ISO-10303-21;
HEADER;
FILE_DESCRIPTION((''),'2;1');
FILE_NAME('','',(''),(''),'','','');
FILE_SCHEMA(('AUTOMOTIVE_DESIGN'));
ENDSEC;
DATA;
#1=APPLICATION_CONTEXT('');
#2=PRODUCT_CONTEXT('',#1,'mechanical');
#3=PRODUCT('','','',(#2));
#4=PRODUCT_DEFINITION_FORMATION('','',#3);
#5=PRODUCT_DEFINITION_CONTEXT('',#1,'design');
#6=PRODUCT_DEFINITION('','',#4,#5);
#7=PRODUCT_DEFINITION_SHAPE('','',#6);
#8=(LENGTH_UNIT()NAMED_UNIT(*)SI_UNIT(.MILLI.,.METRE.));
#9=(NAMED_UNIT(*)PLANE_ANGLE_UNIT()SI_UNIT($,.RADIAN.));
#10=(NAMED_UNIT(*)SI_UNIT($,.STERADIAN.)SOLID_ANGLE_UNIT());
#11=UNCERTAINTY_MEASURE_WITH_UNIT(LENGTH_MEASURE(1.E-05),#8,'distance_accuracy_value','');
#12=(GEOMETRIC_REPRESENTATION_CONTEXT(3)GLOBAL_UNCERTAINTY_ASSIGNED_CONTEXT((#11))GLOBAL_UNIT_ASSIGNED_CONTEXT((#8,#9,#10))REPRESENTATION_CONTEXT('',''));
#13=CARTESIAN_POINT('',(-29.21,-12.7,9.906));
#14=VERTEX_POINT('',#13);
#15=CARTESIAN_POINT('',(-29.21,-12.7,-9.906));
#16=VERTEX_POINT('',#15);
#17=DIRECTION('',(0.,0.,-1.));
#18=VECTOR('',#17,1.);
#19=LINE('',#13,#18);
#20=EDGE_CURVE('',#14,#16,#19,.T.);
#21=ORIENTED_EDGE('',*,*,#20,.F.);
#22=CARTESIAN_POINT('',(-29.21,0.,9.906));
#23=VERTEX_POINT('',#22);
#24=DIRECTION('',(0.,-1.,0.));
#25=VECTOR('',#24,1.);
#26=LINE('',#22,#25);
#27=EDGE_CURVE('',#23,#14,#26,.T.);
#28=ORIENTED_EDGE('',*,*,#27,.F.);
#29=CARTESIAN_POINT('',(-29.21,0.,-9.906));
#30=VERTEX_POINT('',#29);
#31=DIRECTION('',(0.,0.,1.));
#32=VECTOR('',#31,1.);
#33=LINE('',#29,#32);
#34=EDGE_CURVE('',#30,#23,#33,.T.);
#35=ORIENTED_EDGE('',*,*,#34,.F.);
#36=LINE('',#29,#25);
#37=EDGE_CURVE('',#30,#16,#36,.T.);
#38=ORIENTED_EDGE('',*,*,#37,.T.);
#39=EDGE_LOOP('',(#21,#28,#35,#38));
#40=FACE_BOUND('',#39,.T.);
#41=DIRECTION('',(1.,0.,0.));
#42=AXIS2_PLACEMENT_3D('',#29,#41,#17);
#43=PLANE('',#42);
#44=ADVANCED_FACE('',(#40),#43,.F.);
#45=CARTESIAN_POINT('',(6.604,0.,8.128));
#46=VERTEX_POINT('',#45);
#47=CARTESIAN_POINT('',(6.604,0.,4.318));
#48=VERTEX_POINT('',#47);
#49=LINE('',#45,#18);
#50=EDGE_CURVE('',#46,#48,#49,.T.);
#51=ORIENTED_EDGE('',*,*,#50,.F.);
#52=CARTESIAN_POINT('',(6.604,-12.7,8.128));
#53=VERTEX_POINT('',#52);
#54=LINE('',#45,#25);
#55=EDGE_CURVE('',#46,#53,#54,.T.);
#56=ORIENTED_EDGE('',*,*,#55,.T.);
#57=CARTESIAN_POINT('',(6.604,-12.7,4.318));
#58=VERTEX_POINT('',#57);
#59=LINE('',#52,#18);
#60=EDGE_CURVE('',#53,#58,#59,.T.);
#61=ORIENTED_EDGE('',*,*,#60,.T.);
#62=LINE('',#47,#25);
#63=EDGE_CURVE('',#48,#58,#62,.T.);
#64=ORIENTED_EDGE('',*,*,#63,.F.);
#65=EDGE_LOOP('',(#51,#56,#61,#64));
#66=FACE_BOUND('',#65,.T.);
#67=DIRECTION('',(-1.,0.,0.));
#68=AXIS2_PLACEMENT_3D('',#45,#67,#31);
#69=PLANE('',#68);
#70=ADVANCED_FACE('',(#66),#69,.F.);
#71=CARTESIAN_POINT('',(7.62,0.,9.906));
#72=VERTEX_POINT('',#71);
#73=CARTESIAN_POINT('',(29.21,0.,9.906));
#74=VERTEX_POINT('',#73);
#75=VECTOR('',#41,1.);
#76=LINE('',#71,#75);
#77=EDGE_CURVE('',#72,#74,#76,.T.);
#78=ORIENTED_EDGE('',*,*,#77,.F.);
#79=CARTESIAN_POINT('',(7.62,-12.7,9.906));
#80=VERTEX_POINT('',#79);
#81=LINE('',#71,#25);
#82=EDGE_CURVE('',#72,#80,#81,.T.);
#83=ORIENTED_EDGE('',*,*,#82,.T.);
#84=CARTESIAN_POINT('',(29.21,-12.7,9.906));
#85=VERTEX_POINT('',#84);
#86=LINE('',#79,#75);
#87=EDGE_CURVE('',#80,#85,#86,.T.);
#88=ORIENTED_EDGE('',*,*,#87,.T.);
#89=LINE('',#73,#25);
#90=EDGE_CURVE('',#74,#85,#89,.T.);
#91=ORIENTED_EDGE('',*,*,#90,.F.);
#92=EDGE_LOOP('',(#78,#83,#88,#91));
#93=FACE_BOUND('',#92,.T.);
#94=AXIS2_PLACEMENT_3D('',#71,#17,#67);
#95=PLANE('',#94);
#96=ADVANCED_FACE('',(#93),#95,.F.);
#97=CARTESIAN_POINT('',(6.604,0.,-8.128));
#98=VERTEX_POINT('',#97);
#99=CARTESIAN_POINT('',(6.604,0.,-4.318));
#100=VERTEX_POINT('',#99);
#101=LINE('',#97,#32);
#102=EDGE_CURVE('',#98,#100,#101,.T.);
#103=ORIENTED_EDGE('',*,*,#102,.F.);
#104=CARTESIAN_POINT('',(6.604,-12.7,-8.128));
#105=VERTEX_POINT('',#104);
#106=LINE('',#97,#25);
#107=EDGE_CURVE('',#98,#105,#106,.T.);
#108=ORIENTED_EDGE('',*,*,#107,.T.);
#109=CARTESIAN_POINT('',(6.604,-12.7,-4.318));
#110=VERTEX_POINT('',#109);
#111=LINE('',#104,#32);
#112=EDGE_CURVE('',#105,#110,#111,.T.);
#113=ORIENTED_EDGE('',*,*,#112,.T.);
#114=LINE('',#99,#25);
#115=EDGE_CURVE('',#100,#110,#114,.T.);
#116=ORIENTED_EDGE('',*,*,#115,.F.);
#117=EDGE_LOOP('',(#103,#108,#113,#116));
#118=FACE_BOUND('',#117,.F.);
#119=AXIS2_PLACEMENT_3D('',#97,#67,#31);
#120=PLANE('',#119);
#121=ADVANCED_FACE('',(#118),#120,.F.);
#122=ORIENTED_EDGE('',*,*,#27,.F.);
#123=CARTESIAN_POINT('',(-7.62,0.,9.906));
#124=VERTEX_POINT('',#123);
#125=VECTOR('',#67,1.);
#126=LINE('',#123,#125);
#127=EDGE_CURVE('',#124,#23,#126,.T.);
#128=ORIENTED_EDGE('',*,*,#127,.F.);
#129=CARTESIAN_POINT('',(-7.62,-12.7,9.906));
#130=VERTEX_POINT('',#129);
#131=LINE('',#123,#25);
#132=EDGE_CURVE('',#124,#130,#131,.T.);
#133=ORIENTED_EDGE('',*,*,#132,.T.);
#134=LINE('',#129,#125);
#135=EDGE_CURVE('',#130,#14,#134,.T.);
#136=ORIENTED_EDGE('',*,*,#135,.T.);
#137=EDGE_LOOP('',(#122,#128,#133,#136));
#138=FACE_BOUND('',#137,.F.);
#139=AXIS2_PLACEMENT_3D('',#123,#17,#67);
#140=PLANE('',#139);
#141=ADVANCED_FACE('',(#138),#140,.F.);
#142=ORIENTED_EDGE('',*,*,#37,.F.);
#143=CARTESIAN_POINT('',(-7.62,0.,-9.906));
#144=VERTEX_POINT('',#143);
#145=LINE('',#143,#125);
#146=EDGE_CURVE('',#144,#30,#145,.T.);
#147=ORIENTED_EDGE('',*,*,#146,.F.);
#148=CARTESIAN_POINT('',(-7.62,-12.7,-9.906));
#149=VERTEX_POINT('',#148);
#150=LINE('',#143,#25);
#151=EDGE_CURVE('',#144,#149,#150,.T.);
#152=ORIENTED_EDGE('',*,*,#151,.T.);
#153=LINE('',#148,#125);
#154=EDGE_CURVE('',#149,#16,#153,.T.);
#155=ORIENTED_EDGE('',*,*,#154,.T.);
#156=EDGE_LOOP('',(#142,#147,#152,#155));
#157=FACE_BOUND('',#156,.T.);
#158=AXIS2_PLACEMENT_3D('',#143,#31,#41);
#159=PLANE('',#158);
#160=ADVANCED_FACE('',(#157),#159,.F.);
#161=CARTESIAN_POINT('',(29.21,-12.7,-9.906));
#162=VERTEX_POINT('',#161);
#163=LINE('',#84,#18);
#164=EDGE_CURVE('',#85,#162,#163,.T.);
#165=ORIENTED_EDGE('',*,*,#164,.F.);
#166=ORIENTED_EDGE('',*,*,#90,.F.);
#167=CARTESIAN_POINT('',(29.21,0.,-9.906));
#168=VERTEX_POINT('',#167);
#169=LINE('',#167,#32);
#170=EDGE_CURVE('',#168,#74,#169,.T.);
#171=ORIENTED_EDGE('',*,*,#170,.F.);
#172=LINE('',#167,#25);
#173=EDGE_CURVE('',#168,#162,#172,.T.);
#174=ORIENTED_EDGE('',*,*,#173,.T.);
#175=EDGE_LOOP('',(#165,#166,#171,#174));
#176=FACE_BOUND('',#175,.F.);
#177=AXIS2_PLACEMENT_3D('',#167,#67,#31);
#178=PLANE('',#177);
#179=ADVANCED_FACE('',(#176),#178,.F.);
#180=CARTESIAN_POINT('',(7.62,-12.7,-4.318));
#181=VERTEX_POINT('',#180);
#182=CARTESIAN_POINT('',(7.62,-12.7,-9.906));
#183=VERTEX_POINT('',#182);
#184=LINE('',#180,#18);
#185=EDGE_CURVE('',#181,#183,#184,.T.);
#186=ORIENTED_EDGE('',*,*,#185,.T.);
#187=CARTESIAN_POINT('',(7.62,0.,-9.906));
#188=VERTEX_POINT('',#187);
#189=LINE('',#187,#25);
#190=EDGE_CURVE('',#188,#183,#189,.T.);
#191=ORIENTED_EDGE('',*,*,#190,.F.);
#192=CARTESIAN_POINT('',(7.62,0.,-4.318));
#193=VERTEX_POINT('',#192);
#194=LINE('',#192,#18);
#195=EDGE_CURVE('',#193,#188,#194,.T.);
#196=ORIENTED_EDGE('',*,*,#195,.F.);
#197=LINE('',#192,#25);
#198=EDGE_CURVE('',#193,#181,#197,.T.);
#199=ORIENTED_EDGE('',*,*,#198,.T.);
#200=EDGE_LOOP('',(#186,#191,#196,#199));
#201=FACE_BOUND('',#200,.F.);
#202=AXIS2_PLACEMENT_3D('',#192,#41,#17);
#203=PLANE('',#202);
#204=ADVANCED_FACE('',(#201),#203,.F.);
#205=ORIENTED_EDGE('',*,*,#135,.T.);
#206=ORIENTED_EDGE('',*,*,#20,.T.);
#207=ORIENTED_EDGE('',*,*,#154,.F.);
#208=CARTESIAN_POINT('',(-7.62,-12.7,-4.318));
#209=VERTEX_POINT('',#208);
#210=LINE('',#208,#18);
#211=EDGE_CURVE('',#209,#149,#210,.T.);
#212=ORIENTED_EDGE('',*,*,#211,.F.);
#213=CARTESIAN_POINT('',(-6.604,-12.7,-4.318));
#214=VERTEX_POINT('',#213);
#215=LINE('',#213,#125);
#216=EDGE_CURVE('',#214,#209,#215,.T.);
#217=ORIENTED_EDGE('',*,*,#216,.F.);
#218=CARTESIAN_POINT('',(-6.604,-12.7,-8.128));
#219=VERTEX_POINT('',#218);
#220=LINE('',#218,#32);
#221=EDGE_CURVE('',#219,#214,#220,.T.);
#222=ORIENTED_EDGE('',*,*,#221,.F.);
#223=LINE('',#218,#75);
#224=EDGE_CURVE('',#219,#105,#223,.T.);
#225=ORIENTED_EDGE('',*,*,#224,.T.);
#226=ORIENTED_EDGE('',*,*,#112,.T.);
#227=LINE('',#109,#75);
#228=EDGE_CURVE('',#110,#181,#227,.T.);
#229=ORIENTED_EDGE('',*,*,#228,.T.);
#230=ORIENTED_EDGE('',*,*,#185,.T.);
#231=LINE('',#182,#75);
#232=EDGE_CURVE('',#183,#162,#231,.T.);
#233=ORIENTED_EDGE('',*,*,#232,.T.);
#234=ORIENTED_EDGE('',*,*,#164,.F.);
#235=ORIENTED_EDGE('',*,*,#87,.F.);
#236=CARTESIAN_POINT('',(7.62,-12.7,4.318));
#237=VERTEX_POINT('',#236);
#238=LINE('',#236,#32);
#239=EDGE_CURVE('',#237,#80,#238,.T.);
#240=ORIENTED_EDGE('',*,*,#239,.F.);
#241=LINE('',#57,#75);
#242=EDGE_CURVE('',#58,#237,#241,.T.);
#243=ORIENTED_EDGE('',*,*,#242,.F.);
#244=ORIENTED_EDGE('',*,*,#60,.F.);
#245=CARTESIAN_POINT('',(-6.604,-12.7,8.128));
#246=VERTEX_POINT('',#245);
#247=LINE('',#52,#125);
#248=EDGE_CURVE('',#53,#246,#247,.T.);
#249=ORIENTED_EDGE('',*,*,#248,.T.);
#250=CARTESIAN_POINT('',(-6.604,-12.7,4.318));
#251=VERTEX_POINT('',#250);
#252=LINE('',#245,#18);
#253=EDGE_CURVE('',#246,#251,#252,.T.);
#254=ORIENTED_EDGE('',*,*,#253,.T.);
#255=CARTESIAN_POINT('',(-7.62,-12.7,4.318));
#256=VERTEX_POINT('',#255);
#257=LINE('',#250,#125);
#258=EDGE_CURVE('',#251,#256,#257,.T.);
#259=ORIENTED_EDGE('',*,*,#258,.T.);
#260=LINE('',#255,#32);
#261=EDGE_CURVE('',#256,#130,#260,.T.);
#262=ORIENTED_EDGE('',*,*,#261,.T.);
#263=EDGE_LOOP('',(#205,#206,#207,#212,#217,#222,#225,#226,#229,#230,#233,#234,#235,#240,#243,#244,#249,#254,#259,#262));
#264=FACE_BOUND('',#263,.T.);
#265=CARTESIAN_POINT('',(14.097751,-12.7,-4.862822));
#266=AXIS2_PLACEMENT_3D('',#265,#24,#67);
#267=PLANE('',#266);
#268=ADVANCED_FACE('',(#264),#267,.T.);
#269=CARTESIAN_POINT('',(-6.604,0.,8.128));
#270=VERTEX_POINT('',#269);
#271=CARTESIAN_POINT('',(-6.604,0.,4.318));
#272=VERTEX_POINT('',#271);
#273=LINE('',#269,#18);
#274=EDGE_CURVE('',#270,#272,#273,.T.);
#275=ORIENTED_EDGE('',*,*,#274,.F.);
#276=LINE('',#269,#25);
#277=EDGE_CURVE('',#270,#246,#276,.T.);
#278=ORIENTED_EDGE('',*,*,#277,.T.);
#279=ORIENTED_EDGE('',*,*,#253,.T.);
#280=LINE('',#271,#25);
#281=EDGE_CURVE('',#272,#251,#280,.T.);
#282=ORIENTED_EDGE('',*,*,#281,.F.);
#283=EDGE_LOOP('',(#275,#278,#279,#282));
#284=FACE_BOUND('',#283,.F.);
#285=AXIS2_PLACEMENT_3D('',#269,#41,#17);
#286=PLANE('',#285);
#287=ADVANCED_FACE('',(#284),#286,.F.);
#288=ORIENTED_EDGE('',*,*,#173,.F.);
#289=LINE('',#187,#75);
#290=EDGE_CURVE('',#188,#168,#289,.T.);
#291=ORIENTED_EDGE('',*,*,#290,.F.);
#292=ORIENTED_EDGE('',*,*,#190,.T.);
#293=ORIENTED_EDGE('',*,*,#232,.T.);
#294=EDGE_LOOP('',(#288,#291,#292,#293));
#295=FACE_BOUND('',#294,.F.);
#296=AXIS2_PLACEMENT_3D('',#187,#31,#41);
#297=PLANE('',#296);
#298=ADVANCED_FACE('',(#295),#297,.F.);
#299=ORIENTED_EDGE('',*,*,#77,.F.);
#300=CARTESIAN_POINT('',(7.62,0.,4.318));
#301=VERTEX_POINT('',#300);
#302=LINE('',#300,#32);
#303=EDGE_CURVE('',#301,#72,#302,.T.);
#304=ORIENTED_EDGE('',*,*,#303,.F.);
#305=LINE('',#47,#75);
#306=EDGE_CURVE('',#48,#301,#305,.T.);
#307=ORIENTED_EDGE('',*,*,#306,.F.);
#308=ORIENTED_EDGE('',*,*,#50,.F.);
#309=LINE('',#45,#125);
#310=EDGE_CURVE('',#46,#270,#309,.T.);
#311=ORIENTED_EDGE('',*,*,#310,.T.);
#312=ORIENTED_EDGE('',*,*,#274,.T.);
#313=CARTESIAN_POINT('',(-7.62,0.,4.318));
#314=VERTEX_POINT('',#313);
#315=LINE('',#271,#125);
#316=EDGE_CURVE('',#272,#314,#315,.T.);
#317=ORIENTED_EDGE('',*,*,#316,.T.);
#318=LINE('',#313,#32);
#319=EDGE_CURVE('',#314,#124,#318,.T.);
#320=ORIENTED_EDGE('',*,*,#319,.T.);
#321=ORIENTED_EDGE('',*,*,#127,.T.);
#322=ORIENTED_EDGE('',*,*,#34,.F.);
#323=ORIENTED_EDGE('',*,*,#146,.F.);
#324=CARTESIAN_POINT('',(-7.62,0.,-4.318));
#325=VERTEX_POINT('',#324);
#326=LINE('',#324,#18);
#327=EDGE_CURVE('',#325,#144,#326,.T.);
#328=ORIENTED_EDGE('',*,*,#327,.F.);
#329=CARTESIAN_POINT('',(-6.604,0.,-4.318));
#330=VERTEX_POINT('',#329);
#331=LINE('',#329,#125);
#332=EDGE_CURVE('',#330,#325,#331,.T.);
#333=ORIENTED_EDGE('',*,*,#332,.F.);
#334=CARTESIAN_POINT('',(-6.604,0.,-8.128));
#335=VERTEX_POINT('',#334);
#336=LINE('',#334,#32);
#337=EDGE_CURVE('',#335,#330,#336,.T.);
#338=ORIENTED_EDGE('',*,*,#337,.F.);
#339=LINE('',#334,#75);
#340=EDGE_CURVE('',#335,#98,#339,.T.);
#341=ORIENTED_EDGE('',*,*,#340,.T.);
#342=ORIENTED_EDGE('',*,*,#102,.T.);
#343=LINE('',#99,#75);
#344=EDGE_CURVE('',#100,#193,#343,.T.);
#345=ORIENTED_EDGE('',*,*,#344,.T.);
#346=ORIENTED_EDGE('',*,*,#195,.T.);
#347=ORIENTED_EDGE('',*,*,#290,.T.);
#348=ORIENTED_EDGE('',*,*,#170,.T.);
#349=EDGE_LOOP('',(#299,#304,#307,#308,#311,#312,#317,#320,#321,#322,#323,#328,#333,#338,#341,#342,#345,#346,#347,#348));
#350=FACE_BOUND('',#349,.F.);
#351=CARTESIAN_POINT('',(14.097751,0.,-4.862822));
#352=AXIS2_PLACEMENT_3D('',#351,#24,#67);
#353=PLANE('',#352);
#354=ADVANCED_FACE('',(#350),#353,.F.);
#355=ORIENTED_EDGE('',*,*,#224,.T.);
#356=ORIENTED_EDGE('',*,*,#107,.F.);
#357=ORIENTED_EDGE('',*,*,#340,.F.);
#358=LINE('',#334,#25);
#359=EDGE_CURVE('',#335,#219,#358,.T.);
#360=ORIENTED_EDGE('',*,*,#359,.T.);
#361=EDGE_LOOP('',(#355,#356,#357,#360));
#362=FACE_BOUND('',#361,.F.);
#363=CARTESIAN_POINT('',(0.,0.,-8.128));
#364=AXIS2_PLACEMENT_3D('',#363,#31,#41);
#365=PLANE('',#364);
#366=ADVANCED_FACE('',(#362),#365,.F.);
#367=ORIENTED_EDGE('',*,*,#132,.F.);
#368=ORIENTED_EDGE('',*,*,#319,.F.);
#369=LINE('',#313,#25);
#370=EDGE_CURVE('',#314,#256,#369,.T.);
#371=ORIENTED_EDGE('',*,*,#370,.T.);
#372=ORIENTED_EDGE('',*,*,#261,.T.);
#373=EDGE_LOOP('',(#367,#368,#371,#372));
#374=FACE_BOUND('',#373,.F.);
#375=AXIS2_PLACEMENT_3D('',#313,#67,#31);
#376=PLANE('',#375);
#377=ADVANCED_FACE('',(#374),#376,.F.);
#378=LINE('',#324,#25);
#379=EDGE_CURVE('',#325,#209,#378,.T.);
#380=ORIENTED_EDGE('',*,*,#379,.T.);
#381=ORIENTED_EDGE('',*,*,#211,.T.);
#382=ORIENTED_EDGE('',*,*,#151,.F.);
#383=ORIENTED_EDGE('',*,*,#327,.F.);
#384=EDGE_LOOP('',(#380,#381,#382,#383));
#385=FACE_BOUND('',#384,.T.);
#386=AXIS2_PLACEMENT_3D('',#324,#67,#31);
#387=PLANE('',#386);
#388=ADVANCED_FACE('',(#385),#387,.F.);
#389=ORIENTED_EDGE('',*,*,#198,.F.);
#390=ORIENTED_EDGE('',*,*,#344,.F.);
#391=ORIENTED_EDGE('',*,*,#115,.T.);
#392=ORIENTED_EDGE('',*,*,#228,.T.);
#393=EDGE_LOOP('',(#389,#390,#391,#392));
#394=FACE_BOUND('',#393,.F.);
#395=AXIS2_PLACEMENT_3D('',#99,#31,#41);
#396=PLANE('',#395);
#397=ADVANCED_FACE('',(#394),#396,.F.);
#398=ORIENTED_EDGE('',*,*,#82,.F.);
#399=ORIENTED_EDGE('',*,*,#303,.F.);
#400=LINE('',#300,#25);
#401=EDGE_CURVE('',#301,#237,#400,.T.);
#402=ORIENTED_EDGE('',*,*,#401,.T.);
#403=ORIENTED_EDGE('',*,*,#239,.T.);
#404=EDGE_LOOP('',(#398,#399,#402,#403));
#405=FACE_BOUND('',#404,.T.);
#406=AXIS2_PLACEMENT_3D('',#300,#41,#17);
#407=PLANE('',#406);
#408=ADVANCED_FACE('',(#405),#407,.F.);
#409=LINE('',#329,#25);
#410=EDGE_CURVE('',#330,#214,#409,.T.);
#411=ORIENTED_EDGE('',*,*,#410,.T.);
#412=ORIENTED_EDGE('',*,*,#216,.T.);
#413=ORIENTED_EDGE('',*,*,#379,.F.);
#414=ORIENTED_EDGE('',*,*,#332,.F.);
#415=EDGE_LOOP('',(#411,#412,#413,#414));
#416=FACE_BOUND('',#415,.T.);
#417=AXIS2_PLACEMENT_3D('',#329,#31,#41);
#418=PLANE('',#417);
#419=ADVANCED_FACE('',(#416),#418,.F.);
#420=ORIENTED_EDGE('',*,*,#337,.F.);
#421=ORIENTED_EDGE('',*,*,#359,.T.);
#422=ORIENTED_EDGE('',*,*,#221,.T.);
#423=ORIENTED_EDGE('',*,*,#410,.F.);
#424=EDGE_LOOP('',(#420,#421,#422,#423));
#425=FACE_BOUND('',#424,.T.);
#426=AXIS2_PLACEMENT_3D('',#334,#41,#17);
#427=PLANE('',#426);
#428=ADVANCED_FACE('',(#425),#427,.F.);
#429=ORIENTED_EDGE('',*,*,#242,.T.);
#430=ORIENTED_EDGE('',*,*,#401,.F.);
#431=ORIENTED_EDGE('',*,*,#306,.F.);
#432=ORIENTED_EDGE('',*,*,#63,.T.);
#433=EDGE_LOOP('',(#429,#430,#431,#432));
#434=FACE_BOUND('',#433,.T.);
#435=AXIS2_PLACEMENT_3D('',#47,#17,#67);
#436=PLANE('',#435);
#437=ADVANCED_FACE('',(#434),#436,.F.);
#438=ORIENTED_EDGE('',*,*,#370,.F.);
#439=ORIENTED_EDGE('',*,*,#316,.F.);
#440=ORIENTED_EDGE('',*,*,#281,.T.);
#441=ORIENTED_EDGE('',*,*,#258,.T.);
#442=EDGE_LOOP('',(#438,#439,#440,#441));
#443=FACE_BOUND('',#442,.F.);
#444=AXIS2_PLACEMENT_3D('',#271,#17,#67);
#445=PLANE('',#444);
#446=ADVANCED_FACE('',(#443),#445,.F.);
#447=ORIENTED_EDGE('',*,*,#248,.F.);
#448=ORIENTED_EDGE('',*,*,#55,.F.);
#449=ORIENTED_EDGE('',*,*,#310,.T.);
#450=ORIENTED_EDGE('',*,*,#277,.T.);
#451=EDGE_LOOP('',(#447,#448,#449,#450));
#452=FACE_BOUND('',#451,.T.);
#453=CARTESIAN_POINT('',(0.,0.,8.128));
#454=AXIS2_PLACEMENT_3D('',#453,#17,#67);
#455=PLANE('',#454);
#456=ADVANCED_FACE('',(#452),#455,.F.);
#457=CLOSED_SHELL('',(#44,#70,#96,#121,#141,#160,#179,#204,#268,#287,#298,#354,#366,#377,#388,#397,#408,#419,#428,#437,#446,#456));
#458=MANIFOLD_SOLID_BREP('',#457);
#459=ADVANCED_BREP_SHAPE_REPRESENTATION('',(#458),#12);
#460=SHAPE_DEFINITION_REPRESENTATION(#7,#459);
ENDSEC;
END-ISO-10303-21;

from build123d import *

# Parameters (mm, degrees)
F1_DEPTH = 12.7


with BuildPart() as f1:
    # F0 (on Front) → F1 (new body)
    with BuildSketch(Plane.XZ):
        Polygon((-29.21, 0), (0, 0), (0, 8.128), (-6.604, 8.128), (-6.604, 4.318), (-7.62, 4.318), (-7.62, 9.906), (-29.21, 9.906), align=None)
    extrude(amount=F1_DEPTH)

    # F2: F1 across face


with BuildPart() as f1_1:
    add(f1.part)
    add(f1.part.mirror(Plane(origin=(-14.605, -6.35, 0), x_dir=(1, 0, 0), z_dir=(0, 0, -1))))

    # F3: F1 across face


with BuildPart() as f1_2:
    add(f1_1.part)
    add(f1_1.part.mirror(Plane(origin=(0, -6.35, 0), x_dir=(0, 1, 0), z_dir=(1, 0, 0))))


solid = f1_2.part
